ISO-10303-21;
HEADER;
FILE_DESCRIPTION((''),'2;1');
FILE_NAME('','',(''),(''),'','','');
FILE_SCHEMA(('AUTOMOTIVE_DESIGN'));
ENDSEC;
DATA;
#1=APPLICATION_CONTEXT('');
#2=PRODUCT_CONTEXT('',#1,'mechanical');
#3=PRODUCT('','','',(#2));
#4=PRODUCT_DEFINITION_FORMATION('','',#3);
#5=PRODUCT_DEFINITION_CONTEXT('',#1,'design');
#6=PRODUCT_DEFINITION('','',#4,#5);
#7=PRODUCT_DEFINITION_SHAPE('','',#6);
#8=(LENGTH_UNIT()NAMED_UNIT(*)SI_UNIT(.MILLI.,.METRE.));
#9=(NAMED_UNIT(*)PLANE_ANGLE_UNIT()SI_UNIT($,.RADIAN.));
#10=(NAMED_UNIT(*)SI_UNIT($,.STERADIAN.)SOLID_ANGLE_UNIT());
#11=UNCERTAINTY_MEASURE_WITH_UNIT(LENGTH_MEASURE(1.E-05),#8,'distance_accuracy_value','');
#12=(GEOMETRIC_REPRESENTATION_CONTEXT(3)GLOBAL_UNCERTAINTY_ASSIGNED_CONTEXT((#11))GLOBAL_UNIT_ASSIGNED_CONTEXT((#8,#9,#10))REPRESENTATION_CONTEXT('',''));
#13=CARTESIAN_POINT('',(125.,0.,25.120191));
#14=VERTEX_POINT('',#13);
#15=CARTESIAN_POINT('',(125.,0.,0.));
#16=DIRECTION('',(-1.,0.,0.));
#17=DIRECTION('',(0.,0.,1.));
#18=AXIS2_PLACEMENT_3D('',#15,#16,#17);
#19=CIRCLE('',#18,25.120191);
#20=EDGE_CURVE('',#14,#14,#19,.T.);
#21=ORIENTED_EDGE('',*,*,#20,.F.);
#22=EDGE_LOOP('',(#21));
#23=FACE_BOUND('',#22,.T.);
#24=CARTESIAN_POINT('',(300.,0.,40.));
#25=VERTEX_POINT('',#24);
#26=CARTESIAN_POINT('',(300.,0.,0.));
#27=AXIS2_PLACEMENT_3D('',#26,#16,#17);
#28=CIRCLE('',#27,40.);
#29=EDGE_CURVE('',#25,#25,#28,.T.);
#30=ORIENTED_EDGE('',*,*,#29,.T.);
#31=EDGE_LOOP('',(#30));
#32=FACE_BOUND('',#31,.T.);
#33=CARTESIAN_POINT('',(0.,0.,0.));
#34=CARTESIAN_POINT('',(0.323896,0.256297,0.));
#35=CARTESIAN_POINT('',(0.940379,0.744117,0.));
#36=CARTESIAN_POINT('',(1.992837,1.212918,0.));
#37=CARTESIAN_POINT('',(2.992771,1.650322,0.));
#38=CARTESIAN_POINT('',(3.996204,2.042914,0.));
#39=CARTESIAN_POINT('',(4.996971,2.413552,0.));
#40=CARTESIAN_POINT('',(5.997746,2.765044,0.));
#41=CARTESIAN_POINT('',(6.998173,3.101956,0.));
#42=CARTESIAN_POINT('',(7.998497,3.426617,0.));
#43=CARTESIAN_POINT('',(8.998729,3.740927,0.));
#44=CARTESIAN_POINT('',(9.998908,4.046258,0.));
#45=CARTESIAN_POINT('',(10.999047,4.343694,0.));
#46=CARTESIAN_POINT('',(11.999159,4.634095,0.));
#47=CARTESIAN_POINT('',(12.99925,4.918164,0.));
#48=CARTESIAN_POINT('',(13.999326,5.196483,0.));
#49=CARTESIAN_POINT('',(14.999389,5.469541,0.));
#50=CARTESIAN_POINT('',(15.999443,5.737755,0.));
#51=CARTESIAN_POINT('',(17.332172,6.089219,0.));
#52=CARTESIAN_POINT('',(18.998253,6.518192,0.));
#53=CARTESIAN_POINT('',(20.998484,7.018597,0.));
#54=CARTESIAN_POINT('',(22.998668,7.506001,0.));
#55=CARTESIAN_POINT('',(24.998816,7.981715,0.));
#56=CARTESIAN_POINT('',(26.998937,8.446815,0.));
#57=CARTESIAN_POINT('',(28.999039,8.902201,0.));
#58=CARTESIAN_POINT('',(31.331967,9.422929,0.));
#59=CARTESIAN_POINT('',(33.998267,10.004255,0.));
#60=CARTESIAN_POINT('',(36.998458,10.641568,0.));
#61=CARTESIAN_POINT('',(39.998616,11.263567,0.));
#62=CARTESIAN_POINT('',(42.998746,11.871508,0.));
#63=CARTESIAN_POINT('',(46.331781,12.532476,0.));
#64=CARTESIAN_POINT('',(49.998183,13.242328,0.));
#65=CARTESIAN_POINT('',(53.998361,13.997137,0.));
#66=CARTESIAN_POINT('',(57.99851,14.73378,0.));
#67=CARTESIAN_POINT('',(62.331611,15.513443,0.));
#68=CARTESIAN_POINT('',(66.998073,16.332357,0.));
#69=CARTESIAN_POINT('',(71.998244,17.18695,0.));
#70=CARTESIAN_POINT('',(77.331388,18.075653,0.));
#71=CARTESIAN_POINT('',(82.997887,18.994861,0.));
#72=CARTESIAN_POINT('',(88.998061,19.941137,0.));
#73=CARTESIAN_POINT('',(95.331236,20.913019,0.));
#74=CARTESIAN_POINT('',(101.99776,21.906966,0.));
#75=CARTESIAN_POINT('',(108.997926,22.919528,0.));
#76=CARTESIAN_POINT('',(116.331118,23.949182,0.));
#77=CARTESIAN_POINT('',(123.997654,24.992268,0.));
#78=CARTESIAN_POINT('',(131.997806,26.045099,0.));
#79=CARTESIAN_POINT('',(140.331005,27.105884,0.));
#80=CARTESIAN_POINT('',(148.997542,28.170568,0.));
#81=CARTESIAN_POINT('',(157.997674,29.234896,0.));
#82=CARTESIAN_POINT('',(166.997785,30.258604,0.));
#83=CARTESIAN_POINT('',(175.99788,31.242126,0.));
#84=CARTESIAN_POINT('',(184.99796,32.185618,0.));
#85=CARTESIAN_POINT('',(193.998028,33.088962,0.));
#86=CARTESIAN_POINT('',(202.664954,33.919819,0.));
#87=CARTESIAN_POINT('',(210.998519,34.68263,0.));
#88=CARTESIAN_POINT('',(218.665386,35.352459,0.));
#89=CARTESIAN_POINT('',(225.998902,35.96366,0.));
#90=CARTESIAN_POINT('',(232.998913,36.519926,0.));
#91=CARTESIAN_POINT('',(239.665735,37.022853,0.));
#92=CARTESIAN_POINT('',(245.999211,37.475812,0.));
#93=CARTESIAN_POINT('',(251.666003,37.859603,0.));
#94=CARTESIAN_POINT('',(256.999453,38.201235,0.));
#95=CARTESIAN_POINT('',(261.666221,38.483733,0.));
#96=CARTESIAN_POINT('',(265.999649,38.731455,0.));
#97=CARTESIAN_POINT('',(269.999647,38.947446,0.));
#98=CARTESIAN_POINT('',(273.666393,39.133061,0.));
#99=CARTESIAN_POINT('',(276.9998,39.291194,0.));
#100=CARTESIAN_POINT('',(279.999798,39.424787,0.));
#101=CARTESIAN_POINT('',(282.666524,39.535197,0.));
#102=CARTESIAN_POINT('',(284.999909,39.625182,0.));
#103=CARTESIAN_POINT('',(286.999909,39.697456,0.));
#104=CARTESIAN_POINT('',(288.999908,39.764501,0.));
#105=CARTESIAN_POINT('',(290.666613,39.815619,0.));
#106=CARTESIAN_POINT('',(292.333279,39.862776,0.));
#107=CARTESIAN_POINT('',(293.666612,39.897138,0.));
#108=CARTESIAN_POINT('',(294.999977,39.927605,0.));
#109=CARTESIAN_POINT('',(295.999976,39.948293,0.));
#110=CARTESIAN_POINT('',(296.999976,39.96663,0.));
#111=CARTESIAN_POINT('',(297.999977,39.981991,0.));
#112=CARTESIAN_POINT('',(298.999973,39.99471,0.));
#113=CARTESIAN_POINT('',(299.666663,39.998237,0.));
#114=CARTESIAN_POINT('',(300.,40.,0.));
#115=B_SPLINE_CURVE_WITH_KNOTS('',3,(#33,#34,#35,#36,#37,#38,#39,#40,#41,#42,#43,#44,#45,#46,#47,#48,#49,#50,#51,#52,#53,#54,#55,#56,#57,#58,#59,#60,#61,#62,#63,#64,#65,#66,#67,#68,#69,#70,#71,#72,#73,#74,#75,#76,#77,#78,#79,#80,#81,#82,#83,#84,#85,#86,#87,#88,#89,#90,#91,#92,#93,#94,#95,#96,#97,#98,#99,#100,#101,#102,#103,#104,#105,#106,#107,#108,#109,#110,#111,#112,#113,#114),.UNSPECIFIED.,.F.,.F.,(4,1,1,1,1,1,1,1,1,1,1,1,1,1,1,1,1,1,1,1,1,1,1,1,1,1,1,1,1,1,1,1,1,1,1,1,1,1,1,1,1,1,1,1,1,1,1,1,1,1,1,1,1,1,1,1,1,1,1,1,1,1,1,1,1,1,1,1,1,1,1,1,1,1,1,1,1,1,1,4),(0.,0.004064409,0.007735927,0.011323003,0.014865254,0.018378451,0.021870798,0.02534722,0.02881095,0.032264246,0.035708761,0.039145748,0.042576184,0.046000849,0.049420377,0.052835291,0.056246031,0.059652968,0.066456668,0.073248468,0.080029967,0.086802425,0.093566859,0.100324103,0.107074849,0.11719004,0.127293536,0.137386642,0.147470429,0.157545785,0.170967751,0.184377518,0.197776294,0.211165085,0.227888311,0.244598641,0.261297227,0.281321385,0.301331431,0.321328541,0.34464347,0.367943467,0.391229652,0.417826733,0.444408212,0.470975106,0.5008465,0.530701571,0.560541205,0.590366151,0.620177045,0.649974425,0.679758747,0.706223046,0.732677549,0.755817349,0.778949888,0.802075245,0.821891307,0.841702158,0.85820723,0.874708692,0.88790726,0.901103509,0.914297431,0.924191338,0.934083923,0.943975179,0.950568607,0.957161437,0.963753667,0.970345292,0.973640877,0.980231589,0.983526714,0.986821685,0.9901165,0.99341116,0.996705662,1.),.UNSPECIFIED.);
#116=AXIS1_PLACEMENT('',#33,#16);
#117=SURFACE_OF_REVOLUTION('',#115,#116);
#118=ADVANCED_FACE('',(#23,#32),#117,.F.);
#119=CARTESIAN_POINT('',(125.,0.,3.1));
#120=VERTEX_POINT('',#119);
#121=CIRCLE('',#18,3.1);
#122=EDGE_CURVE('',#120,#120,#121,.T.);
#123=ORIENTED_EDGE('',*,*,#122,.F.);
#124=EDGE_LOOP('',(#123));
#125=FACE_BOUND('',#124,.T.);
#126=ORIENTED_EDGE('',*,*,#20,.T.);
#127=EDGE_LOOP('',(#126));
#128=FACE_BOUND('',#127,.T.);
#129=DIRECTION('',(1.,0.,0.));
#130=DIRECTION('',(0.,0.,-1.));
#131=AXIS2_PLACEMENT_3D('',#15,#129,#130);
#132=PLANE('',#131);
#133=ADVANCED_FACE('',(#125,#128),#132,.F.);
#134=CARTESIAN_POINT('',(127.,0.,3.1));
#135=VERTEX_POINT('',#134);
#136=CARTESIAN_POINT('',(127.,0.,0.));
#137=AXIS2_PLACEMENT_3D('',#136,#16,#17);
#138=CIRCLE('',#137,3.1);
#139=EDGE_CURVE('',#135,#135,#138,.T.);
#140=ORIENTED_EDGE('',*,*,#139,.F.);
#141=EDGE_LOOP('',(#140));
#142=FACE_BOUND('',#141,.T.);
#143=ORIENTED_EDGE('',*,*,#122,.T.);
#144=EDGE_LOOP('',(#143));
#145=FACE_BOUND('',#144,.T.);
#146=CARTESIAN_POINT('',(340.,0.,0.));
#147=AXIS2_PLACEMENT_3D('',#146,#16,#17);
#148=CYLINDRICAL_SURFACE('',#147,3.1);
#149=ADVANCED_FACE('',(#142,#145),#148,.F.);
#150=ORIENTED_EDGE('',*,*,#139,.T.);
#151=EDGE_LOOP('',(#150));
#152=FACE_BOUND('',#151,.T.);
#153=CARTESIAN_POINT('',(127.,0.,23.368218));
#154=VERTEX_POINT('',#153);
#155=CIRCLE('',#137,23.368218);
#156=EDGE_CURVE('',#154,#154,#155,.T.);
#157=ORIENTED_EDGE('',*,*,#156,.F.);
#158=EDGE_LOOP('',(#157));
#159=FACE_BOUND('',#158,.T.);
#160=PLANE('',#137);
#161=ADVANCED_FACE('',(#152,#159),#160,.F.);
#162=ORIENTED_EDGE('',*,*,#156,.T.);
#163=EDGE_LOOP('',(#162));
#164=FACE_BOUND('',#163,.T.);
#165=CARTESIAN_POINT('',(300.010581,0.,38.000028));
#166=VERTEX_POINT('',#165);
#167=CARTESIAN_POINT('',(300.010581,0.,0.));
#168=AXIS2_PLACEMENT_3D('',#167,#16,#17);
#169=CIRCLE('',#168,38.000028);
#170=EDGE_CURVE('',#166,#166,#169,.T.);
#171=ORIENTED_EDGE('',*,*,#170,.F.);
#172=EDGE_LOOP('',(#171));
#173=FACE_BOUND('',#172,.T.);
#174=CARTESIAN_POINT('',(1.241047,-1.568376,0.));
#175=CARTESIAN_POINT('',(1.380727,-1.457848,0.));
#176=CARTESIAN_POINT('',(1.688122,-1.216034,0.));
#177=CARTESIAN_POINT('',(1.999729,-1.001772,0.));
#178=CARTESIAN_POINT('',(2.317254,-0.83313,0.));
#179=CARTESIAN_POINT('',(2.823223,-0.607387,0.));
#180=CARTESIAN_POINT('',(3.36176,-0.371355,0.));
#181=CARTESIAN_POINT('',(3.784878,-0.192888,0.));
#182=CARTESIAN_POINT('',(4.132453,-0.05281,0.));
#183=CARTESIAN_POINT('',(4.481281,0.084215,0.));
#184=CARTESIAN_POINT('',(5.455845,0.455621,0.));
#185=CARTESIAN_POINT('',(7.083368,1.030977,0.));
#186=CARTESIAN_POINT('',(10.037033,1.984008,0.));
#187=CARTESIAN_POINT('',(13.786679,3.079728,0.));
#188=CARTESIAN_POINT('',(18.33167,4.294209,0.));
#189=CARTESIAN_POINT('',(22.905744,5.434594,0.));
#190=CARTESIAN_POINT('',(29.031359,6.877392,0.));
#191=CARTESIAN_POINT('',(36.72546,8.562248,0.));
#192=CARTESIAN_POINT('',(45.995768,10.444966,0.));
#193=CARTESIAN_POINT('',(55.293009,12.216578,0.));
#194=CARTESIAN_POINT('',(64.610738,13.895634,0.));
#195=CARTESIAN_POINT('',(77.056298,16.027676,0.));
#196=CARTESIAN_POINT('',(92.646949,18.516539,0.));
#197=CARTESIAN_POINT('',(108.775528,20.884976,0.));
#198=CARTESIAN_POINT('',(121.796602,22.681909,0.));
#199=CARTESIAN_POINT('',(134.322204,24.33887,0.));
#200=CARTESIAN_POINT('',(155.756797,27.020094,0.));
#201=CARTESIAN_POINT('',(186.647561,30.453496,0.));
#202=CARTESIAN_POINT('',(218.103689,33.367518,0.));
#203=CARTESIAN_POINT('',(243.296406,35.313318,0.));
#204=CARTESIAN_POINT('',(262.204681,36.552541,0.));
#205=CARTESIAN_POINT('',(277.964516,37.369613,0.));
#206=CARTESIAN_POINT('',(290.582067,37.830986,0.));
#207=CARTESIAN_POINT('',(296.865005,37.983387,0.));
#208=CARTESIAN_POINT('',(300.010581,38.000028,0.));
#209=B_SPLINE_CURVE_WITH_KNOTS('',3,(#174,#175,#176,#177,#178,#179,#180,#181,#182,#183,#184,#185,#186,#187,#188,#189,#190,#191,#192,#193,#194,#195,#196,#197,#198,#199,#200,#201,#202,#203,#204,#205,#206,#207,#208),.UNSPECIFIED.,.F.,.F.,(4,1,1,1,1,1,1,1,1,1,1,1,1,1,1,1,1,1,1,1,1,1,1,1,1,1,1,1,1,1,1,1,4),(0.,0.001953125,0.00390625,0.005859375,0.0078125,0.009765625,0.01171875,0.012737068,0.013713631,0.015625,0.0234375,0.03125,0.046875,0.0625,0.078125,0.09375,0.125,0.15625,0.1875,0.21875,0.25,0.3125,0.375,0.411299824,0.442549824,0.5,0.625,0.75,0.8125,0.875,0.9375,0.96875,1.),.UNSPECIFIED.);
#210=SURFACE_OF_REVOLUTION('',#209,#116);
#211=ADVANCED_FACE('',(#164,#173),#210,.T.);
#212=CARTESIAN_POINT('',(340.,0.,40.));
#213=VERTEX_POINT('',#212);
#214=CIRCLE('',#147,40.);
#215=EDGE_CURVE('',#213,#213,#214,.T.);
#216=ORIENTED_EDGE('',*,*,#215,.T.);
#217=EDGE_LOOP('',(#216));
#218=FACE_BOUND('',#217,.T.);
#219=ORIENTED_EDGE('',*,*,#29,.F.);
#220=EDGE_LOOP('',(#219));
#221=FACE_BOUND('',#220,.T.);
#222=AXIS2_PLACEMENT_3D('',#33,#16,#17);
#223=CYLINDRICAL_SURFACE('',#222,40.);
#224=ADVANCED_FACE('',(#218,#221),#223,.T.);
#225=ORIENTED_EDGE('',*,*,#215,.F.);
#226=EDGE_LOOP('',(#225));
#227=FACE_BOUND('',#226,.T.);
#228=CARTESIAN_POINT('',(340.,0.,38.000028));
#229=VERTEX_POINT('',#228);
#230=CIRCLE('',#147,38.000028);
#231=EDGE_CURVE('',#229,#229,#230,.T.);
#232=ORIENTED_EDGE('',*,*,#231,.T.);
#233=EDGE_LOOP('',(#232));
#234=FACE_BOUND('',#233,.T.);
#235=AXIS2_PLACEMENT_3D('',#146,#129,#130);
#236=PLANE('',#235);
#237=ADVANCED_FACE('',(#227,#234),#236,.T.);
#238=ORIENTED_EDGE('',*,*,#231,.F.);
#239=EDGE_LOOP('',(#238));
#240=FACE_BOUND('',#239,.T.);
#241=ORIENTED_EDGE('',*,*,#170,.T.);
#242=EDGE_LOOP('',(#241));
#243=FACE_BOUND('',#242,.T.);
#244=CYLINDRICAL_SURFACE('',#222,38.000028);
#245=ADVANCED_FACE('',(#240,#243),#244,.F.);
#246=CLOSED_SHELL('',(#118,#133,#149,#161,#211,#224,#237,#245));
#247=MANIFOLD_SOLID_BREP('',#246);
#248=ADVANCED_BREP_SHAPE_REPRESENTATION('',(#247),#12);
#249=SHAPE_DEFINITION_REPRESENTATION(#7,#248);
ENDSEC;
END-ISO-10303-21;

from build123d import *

# Parameters (mm, degrees)
SKETCH3_R          = 3.1
CUT_EXTRUDE1_DEPTH = 223.31734079


with BuildPart() as part:
    # Sketch2 → Revolve1 (revolve)
    with BuildSketch(Plane.XY, mode=Mode.PRIVATE) as revolve1_sk:
        with BuildLine():
            add(Edge.make_bspline(
                [(125, 23.102487634), (125.666615155, 23.191427334), (126.333282144, 23.280003056), (127, 23.368217816)],
                knots=[0.42027122, 0.42027122, 0.42027122, 0.42027122, 0.426924824, 0.426924824, 0.426924824, 0.426924824], degree=3))
            Line((125, 23.102487634), (125, 0))
            Line((125, 0), (127, 0))
            Line((127, 0), (127, 23.368217816))
        make_face()
        with BuildLine():
            add(Edge.make_bspline(
                [(125, 25.120191193), (127.332751625, 25.431081941), (132.331407151, 26.087565456), (140.331004574, 27.10588444), (148.997541828, 28.170567532), (157.997673527, 29.234895992), (166.997785275, 30.258604093), (175.99788006, 31.242125821), (184.997960367, 32.185617854), (193.998028035, 33.088962248), (202.664954428, 33.919819428), (210.99851948, 34.682629582), (218.665386436, 35.352459035), (225.998901833, 35.963660277), (232.998913298, 36.519926308), (239.665734713, 37.022853053), (245.999211125, 37.475811811), (251.666003322, 37.85960313), (256.999453321, 38.201234754), (261.666221352, 38.483732538), (265.999648607, 38.731455183), (269.999647247, 38.947445799), (273.66639347, 39.133060543), (276.999799587, 39.291194487), (279.999798447, 39.424786884), (282.666524002, 39.535197061), (284.999909378, 39.625181506), (286.99990888, 39.697455867), (288.999908328, 39.764500704), (290.666612895, 39.815618833), (292.333279241, 39.862775866), (293.666612296, 39.897137908), (294.999976548, 39.927604539), (295.999976496, 39.948292861), (296.999976131, 39.96663039), (297.999976806, 39.981991095), (298.999972804, 39.99470952), (299.666663128, 39.998236536), (300, 40)],
                knots=[0.421150249, 0.421150249, 0.421150249, 0.421150249, 0.444408212, 0.470975106, 0.5008465, 0.530701571, 0.560541205, 0.590366151, 0.620177045, 0.649974425, 0.679758747, 0.706223046, 0.732677549, 0.755817349, 0.778949888, 0.802075245, 0.821891307, 0.841702158, 0.85820723, 0.874708692, 0.88790726, 0.901103509, 0.914297431, 0.924191338, 0.934083923, 0.943975179, 0.950568607, 0.957161437, 0.963753667, 0.970345292, 0.973640877, 0.980231589, 0.983526714, 0.986821685, 0.9901165, 0.99341116, 0.996705662, 1, 1, 1, 1], degree=3))
            Line((125, 25.120191193), (125, 23.102487634))
            add(Edge.make_bspline(
                [(125, 23.102487634), (125.666615155, 23.191427334), (126.333282144, 23.280003056), (127, 23.368217816)],
                knots=[0.42027122, 0.42027122, 0.42027122, 0.42027122, 0.426924824, 0.426924824, 0.426924824, 0.426924824], degree=3))
            add(Edge.make_bspline(
                [(127, 23.368217816), (128.56568768, 23.575377055), (135.88942536, 24.534911993), (155.75679736, 27.020093999), (186.647560948, 30.453496137), (218.103688818, 33.367517534), (243.296405578, 35.313318367), (262.204681004, 36.552540592), (277.964515807, 37.369612833), (290.582066888, 37.830985967), (296.865005199, 37.983386836), (300.010580524, 38.000027987)],
                knots=[0.426924824, 0.426924824, 0.426924824, 0.426924824, 0.442549824, 0.5, 0.625, 0.75, 0.8125, 0.875, 0.9375, 0.96875, 1, 1, 1, 1], degree=3))
            Line((300.010580524, 38.000027987), (340, 38.000027987))
            Line((340, 38.000027987), (340, 40))
            Line((340, 40), (300, 40))
        make_face()
    revolve(revolve1_sk.sketch.rotate(Axis((0, 0, 0), (1, 0, 0)), 90), axis=Axis((0, 0, 0), (1, 0, 0)))

    # Sketch3 → Cut-Extrude1 (cut, through all)
    with BuildSketch(Plane.ZY.offset(-125)):
        Circle(SKETCH3_R)
    extrude(amount=-CUT_EXTRUDE1_DEPTH, mode=Mode.SUBTRACT)


solid = part.part
